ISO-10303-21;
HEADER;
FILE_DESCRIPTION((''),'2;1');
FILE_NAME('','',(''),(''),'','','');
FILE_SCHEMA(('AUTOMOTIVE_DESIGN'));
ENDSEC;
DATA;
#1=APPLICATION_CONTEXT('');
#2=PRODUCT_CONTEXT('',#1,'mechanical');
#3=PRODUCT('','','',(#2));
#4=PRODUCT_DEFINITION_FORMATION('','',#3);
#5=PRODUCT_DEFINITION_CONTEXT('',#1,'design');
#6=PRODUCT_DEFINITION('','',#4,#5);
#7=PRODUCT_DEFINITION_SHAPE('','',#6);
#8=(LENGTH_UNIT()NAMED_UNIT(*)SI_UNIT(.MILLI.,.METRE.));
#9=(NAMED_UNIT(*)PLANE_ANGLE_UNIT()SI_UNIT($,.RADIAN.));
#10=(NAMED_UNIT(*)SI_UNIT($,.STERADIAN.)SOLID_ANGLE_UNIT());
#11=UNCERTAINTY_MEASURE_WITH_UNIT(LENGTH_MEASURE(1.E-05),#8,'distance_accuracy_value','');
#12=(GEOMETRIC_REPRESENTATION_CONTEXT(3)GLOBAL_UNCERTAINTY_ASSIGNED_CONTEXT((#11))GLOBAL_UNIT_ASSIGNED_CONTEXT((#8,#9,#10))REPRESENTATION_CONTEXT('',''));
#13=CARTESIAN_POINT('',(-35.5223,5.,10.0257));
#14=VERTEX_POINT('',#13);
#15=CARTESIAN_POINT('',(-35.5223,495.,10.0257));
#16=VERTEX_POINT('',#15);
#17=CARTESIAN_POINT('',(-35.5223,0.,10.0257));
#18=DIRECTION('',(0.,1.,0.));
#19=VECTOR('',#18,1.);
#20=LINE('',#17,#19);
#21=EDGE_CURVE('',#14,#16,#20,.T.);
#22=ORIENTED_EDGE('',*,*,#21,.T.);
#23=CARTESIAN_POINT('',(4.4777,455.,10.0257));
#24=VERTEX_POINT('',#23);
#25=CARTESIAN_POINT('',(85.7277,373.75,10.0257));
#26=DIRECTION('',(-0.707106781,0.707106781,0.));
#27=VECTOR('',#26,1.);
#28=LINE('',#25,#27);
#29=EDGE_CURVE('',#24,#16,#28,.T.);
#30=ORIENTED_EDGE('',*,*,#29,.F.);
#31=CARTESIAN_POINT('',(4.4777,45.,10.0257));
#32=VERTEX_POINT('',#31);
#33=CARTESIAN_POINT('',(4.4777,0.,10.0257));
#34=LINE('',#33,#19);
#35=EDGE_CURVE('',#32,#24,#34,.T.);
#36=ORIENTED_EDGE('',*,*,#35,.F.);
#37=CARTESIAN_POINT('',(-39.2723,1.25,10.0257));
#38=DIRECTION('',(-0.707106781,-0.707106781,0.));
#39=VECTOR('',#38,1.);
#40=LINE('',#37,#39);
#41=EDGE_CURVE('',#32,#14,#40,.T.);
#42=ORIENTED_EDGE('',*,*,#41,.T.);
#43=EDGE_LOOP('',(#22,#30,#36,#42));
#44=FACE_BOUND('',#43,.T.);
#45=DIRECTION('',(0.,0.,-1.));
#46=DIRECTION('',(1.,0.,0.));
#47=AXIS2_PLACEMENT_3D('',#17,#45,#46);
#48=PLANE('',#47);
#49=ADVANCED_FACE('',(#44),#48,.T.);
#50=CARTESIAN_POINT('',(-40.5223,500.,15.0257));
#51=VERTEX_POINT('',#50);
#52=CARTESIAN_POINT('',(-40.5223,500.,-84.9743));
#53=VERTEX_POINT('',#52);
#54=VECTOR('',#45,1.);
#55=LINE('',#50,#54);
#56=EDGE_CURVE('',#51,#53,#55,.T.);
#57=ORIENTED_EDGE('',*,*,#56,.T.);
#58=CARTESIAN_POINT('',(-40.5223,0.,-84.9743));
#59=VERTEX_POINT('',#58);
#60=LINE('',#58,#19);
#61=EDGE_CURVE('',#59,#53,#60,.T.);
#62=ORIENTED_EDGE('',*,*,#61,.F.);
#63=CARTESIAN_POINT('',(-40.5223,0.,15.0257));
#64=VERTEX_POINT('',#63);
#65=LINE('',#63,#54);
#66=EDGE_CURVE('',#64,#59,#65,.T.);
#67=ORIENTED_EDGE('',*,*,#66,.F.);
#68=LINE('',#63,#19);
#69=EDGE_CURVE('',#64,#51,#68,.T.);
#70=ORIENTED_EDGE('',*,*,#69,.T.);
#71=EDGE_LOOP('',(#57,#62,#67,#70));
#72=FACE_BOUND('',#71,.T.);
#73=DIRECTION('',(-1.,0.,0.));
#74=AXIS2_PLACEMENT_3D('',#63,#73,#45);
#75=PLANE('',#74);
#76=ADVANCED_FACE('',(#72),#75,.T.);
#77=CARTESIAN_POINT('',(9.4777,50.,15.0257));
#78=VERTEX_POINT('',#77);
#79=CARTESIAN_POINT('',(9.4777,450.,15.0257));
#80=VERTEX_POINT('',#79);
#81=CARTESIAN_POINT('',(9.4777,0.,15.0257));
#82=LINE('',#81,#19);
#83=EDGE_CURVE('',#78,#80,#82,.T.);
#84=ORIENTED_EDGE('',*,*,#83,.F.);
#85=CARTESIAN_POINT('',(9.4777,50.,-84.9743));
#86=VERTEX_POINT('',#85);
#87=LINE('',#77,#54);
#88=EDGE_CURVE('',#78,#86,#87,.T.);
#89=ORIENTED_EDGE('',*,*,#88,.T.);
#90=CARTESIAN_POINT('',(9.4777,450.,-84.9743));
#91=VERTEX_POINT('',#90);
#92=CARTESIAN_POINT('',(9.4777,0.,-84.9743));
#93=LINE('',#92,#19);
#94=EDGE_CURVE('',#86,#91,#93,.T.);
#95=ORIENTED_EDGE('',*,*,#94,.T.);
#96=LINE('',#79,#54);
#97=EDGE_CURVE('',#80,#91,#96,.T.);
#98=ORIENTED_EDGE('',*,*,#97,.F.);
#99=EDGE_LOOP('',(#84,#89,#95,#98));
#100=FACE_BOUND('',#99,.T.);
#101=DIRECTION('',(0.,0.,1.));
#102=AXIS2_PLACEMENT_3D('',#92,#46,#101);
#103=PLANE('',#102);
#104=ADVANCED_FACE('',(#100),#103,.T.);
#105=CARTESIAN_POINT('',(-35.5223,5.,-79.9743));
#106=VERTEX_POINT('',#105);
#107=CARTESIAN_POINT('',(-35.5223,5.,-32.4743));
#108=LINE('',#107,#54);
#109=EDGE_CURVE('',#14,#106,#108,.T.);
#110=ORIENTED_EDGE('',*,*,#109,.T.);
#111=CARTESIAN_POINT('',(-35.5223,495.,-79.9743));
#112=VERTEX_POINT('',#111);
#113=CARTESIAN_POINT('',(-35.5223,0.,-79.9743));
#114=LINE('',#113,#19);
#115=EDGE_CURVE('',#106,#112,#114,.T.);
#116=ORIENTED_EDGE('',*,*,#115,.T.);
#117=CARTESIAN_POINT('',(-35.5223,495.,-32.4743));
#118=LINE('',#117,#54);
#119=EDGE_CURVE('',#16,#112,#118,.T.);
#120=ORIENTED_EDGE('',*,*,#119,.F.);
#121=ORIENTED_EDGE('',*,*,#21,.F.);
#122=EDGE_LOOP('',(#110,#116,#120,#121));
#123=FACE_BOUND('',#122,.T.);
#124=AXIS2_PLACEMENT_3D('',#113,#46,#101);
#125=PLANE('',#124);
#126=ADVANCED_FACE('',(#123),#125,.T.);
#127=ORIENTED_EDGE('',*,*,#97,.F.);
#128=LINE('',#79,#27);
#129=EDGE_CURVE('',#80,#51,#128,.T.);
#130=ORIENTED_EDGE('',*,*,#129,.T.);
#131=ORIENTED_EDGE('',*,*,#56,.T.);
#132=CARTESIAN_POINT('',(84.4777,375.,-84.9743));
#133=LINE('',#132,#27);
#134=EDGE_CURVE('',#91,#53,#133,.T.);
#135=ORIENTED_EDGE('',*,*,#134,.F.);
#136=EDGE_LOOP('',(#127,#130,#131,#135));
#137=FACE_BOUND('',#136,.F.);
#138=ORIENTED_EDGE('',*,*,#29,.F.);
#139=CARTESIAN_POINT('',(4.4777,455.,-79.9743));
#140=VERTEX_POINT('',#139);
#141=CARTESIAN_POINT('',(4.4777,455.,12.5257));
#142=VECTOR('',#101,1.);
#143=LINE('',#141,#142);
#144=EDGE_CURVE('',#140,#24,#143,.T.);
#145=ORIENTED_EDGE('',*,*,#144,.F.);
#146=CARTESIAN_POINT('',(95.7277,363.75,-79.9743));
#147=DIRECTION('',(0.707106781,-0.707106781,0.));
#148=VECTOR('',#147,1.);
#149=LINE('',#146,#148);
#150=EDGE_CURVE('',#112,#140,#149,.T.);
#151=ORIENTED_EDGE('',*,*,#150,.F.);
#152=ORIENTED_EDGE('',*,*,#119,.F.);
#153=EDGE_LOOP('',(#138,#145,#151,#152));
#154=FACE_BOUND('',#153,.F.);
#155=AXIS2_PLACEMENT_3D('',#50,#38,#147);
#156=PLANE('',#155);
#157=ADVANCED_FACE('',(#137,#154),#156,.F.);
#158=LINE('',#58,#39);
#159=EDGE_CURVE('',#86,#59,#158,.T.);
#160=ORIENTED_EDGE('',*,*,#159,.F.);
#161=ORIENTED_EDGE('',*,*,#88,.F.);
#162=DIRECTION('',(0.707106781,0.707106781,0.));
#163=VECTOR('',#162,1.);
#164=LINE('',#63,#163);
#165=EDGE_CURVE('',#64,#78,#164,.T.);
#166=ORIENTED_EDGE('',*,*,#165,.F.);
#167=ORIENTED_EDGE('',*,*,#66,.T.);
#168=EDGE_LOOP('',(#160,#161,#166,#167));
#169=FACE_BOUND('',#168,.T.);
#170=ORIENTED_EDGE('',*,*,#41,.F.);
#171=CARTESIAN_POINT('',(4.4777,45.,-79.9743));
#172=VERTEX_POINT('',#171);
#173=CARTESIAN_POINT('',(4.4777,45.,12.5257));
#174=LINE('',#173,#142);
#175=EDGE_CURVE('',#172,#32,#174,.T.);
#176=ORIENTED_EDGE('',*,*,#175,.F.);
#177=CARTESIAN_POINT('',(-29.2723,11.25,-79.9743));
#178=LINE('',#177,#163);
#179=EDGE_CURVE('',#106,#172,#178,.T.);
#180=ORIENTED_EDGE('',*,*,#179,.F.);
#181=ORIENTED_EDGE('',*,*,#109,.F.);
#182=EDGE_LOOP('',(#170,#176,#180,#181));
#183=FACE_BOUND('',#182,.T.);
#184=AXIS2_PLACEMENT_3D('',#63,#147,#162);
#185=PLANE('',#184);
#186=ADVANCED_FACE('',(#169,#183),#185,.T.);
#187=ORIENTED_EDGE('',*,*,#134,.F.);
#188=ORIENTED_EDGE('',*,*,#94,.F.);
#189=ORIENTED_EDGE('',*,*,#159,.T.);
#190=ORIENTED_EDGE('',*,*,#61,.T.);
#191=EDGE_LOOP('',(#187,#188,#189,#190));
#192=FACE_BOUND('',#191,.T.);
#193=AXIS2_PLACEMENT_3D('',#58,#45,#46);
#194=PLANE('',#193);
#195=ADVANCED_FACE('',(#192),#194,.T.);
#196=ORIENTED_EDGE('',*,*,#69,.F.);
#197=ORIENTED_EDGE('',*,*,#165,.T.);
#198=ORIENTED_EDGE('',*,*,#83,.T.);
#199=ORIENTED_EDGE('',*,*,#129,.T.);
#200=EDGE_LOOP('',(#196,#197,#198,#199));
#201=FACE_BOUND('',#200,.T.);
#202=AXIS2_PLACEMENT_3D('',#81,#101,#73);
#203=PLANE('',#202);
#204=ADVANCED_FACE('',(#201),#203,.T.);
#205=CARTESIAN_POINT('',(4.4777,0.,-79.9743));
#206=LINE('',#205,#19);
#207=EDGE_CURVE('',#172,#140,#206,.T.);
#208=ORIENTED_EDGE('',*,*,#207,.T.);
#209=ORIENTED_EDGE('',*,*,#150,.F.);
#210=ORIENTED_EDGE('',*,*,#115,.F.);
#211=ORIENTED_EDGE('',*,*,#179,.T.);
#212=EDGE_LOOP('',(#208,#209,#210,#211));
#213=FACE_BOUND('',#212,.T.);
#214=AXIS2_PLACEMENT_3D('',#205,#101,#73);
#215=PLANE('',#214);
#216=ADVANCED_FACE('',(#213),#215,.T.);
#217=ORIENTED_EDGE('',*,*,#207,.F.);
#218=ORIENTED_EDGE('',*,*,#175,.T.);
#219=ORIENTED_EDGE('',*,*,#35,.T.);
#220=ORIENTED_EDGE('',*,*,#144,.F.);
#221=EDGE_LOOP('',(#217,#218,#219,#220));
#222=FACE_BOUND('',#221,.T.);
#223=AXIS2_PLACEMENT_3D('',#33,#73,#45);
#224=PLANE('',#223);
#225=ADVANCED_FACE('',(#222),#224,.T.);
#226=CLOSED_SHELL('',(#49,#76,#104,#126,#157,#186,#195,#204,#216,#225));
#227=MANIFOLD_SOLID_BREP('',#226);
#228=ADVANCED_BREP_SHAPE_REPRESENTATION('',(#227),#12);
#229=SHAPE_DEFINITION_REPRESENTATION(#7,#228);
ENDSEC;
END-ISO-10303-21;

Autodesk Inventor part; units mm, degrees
ref_plane "YZ Plane" through (0, 0, 0) normal (1, 0, 0) x (0, 1, 0)
ref_plane "XZ Plane" through (0, 0, 0) normal (0, 1, 0) x (-1, 0, 0)
ref_plane "XY Plane" through (0, 0, 0) normal (0, 0, 1) x (1, 0, 0)
sketch "Sketch1" plane through (0, 0, 0) normal (0, 1, 0) x (-1, 0, 0)
  line L0 (-9.4777, 15.0257) -> (40.5223, 15.0257)
  line L1 (40.5223, 15.0257) -> (40.5223, -84.9743)
  line L2 (40.5223, -84.9743) -> (-9.4777, -84.9743)
  line L3 (-9.4777, -84.9743) -> (-9.4777, 15.0257)
  line L4 (35.5223, 10.0257) -> (-4.4777, 10.0257)
  line L5 (-4.4777, 10.0257) -> (-4.4777, -79.9743)
  line L6 (-4.4777, -79.9743) -> (35.5223, -79.9743)
  line L7 (35.5223, -79.9743) -> (35.5223, 10.0257)
  point P0 (0, 0)
  point P1 (0, 0)
  dimension "d0" = 50
  dimension "d1" = 100
  dimension "d2" = 5
  dimension "d3" = 90
  dimension "d4" = 5
  dimension "d5" = 40
extrude "Extrusion1" add sketch "Sketch1" along normal blind 500
sketch "Sketch2" plane through (-40.5223, 0, 15.0257) normal (0, 0, 1) x (1, 0, 0)
  line L0 (0, 0) -> (50, 0) projected
  line L1 (0, 0) -> (70.7251, 0) construction
  line L2 (45, 0) -> (45, 500) projected
  line L3 (0, 0) -> (50, 50)
  line L4 (50, 0) -> (50, 500) projected
  line L5 (0, 0) -> (70.7107, 0) construction
  line L6 (50, 50) -> (50, 0)
  line L7 (50, 0) -> (0, 0)
  line L8 (0, 0) -> (0, 500) projected
  line L9 (0, 500) -> (50, 450)
  line L10 (0, 500) -> (70.7107, 500) construction
  line L11 (50, 450) -> (50, 500)
  line L12 (50, 500) -> (0, 500)
  point P0 (40.5223, 0)
  dimension "d9" = 45
  dimension "d10" = 45
extrude "Extrusion2" cut sketch "Sketch2" against normal blind 500 contours L3 L2 L0 | L2 L3 L4 L0 | L12 L2 L9 | L2 L12 L4 L9
properties part number "PerfilD2"
